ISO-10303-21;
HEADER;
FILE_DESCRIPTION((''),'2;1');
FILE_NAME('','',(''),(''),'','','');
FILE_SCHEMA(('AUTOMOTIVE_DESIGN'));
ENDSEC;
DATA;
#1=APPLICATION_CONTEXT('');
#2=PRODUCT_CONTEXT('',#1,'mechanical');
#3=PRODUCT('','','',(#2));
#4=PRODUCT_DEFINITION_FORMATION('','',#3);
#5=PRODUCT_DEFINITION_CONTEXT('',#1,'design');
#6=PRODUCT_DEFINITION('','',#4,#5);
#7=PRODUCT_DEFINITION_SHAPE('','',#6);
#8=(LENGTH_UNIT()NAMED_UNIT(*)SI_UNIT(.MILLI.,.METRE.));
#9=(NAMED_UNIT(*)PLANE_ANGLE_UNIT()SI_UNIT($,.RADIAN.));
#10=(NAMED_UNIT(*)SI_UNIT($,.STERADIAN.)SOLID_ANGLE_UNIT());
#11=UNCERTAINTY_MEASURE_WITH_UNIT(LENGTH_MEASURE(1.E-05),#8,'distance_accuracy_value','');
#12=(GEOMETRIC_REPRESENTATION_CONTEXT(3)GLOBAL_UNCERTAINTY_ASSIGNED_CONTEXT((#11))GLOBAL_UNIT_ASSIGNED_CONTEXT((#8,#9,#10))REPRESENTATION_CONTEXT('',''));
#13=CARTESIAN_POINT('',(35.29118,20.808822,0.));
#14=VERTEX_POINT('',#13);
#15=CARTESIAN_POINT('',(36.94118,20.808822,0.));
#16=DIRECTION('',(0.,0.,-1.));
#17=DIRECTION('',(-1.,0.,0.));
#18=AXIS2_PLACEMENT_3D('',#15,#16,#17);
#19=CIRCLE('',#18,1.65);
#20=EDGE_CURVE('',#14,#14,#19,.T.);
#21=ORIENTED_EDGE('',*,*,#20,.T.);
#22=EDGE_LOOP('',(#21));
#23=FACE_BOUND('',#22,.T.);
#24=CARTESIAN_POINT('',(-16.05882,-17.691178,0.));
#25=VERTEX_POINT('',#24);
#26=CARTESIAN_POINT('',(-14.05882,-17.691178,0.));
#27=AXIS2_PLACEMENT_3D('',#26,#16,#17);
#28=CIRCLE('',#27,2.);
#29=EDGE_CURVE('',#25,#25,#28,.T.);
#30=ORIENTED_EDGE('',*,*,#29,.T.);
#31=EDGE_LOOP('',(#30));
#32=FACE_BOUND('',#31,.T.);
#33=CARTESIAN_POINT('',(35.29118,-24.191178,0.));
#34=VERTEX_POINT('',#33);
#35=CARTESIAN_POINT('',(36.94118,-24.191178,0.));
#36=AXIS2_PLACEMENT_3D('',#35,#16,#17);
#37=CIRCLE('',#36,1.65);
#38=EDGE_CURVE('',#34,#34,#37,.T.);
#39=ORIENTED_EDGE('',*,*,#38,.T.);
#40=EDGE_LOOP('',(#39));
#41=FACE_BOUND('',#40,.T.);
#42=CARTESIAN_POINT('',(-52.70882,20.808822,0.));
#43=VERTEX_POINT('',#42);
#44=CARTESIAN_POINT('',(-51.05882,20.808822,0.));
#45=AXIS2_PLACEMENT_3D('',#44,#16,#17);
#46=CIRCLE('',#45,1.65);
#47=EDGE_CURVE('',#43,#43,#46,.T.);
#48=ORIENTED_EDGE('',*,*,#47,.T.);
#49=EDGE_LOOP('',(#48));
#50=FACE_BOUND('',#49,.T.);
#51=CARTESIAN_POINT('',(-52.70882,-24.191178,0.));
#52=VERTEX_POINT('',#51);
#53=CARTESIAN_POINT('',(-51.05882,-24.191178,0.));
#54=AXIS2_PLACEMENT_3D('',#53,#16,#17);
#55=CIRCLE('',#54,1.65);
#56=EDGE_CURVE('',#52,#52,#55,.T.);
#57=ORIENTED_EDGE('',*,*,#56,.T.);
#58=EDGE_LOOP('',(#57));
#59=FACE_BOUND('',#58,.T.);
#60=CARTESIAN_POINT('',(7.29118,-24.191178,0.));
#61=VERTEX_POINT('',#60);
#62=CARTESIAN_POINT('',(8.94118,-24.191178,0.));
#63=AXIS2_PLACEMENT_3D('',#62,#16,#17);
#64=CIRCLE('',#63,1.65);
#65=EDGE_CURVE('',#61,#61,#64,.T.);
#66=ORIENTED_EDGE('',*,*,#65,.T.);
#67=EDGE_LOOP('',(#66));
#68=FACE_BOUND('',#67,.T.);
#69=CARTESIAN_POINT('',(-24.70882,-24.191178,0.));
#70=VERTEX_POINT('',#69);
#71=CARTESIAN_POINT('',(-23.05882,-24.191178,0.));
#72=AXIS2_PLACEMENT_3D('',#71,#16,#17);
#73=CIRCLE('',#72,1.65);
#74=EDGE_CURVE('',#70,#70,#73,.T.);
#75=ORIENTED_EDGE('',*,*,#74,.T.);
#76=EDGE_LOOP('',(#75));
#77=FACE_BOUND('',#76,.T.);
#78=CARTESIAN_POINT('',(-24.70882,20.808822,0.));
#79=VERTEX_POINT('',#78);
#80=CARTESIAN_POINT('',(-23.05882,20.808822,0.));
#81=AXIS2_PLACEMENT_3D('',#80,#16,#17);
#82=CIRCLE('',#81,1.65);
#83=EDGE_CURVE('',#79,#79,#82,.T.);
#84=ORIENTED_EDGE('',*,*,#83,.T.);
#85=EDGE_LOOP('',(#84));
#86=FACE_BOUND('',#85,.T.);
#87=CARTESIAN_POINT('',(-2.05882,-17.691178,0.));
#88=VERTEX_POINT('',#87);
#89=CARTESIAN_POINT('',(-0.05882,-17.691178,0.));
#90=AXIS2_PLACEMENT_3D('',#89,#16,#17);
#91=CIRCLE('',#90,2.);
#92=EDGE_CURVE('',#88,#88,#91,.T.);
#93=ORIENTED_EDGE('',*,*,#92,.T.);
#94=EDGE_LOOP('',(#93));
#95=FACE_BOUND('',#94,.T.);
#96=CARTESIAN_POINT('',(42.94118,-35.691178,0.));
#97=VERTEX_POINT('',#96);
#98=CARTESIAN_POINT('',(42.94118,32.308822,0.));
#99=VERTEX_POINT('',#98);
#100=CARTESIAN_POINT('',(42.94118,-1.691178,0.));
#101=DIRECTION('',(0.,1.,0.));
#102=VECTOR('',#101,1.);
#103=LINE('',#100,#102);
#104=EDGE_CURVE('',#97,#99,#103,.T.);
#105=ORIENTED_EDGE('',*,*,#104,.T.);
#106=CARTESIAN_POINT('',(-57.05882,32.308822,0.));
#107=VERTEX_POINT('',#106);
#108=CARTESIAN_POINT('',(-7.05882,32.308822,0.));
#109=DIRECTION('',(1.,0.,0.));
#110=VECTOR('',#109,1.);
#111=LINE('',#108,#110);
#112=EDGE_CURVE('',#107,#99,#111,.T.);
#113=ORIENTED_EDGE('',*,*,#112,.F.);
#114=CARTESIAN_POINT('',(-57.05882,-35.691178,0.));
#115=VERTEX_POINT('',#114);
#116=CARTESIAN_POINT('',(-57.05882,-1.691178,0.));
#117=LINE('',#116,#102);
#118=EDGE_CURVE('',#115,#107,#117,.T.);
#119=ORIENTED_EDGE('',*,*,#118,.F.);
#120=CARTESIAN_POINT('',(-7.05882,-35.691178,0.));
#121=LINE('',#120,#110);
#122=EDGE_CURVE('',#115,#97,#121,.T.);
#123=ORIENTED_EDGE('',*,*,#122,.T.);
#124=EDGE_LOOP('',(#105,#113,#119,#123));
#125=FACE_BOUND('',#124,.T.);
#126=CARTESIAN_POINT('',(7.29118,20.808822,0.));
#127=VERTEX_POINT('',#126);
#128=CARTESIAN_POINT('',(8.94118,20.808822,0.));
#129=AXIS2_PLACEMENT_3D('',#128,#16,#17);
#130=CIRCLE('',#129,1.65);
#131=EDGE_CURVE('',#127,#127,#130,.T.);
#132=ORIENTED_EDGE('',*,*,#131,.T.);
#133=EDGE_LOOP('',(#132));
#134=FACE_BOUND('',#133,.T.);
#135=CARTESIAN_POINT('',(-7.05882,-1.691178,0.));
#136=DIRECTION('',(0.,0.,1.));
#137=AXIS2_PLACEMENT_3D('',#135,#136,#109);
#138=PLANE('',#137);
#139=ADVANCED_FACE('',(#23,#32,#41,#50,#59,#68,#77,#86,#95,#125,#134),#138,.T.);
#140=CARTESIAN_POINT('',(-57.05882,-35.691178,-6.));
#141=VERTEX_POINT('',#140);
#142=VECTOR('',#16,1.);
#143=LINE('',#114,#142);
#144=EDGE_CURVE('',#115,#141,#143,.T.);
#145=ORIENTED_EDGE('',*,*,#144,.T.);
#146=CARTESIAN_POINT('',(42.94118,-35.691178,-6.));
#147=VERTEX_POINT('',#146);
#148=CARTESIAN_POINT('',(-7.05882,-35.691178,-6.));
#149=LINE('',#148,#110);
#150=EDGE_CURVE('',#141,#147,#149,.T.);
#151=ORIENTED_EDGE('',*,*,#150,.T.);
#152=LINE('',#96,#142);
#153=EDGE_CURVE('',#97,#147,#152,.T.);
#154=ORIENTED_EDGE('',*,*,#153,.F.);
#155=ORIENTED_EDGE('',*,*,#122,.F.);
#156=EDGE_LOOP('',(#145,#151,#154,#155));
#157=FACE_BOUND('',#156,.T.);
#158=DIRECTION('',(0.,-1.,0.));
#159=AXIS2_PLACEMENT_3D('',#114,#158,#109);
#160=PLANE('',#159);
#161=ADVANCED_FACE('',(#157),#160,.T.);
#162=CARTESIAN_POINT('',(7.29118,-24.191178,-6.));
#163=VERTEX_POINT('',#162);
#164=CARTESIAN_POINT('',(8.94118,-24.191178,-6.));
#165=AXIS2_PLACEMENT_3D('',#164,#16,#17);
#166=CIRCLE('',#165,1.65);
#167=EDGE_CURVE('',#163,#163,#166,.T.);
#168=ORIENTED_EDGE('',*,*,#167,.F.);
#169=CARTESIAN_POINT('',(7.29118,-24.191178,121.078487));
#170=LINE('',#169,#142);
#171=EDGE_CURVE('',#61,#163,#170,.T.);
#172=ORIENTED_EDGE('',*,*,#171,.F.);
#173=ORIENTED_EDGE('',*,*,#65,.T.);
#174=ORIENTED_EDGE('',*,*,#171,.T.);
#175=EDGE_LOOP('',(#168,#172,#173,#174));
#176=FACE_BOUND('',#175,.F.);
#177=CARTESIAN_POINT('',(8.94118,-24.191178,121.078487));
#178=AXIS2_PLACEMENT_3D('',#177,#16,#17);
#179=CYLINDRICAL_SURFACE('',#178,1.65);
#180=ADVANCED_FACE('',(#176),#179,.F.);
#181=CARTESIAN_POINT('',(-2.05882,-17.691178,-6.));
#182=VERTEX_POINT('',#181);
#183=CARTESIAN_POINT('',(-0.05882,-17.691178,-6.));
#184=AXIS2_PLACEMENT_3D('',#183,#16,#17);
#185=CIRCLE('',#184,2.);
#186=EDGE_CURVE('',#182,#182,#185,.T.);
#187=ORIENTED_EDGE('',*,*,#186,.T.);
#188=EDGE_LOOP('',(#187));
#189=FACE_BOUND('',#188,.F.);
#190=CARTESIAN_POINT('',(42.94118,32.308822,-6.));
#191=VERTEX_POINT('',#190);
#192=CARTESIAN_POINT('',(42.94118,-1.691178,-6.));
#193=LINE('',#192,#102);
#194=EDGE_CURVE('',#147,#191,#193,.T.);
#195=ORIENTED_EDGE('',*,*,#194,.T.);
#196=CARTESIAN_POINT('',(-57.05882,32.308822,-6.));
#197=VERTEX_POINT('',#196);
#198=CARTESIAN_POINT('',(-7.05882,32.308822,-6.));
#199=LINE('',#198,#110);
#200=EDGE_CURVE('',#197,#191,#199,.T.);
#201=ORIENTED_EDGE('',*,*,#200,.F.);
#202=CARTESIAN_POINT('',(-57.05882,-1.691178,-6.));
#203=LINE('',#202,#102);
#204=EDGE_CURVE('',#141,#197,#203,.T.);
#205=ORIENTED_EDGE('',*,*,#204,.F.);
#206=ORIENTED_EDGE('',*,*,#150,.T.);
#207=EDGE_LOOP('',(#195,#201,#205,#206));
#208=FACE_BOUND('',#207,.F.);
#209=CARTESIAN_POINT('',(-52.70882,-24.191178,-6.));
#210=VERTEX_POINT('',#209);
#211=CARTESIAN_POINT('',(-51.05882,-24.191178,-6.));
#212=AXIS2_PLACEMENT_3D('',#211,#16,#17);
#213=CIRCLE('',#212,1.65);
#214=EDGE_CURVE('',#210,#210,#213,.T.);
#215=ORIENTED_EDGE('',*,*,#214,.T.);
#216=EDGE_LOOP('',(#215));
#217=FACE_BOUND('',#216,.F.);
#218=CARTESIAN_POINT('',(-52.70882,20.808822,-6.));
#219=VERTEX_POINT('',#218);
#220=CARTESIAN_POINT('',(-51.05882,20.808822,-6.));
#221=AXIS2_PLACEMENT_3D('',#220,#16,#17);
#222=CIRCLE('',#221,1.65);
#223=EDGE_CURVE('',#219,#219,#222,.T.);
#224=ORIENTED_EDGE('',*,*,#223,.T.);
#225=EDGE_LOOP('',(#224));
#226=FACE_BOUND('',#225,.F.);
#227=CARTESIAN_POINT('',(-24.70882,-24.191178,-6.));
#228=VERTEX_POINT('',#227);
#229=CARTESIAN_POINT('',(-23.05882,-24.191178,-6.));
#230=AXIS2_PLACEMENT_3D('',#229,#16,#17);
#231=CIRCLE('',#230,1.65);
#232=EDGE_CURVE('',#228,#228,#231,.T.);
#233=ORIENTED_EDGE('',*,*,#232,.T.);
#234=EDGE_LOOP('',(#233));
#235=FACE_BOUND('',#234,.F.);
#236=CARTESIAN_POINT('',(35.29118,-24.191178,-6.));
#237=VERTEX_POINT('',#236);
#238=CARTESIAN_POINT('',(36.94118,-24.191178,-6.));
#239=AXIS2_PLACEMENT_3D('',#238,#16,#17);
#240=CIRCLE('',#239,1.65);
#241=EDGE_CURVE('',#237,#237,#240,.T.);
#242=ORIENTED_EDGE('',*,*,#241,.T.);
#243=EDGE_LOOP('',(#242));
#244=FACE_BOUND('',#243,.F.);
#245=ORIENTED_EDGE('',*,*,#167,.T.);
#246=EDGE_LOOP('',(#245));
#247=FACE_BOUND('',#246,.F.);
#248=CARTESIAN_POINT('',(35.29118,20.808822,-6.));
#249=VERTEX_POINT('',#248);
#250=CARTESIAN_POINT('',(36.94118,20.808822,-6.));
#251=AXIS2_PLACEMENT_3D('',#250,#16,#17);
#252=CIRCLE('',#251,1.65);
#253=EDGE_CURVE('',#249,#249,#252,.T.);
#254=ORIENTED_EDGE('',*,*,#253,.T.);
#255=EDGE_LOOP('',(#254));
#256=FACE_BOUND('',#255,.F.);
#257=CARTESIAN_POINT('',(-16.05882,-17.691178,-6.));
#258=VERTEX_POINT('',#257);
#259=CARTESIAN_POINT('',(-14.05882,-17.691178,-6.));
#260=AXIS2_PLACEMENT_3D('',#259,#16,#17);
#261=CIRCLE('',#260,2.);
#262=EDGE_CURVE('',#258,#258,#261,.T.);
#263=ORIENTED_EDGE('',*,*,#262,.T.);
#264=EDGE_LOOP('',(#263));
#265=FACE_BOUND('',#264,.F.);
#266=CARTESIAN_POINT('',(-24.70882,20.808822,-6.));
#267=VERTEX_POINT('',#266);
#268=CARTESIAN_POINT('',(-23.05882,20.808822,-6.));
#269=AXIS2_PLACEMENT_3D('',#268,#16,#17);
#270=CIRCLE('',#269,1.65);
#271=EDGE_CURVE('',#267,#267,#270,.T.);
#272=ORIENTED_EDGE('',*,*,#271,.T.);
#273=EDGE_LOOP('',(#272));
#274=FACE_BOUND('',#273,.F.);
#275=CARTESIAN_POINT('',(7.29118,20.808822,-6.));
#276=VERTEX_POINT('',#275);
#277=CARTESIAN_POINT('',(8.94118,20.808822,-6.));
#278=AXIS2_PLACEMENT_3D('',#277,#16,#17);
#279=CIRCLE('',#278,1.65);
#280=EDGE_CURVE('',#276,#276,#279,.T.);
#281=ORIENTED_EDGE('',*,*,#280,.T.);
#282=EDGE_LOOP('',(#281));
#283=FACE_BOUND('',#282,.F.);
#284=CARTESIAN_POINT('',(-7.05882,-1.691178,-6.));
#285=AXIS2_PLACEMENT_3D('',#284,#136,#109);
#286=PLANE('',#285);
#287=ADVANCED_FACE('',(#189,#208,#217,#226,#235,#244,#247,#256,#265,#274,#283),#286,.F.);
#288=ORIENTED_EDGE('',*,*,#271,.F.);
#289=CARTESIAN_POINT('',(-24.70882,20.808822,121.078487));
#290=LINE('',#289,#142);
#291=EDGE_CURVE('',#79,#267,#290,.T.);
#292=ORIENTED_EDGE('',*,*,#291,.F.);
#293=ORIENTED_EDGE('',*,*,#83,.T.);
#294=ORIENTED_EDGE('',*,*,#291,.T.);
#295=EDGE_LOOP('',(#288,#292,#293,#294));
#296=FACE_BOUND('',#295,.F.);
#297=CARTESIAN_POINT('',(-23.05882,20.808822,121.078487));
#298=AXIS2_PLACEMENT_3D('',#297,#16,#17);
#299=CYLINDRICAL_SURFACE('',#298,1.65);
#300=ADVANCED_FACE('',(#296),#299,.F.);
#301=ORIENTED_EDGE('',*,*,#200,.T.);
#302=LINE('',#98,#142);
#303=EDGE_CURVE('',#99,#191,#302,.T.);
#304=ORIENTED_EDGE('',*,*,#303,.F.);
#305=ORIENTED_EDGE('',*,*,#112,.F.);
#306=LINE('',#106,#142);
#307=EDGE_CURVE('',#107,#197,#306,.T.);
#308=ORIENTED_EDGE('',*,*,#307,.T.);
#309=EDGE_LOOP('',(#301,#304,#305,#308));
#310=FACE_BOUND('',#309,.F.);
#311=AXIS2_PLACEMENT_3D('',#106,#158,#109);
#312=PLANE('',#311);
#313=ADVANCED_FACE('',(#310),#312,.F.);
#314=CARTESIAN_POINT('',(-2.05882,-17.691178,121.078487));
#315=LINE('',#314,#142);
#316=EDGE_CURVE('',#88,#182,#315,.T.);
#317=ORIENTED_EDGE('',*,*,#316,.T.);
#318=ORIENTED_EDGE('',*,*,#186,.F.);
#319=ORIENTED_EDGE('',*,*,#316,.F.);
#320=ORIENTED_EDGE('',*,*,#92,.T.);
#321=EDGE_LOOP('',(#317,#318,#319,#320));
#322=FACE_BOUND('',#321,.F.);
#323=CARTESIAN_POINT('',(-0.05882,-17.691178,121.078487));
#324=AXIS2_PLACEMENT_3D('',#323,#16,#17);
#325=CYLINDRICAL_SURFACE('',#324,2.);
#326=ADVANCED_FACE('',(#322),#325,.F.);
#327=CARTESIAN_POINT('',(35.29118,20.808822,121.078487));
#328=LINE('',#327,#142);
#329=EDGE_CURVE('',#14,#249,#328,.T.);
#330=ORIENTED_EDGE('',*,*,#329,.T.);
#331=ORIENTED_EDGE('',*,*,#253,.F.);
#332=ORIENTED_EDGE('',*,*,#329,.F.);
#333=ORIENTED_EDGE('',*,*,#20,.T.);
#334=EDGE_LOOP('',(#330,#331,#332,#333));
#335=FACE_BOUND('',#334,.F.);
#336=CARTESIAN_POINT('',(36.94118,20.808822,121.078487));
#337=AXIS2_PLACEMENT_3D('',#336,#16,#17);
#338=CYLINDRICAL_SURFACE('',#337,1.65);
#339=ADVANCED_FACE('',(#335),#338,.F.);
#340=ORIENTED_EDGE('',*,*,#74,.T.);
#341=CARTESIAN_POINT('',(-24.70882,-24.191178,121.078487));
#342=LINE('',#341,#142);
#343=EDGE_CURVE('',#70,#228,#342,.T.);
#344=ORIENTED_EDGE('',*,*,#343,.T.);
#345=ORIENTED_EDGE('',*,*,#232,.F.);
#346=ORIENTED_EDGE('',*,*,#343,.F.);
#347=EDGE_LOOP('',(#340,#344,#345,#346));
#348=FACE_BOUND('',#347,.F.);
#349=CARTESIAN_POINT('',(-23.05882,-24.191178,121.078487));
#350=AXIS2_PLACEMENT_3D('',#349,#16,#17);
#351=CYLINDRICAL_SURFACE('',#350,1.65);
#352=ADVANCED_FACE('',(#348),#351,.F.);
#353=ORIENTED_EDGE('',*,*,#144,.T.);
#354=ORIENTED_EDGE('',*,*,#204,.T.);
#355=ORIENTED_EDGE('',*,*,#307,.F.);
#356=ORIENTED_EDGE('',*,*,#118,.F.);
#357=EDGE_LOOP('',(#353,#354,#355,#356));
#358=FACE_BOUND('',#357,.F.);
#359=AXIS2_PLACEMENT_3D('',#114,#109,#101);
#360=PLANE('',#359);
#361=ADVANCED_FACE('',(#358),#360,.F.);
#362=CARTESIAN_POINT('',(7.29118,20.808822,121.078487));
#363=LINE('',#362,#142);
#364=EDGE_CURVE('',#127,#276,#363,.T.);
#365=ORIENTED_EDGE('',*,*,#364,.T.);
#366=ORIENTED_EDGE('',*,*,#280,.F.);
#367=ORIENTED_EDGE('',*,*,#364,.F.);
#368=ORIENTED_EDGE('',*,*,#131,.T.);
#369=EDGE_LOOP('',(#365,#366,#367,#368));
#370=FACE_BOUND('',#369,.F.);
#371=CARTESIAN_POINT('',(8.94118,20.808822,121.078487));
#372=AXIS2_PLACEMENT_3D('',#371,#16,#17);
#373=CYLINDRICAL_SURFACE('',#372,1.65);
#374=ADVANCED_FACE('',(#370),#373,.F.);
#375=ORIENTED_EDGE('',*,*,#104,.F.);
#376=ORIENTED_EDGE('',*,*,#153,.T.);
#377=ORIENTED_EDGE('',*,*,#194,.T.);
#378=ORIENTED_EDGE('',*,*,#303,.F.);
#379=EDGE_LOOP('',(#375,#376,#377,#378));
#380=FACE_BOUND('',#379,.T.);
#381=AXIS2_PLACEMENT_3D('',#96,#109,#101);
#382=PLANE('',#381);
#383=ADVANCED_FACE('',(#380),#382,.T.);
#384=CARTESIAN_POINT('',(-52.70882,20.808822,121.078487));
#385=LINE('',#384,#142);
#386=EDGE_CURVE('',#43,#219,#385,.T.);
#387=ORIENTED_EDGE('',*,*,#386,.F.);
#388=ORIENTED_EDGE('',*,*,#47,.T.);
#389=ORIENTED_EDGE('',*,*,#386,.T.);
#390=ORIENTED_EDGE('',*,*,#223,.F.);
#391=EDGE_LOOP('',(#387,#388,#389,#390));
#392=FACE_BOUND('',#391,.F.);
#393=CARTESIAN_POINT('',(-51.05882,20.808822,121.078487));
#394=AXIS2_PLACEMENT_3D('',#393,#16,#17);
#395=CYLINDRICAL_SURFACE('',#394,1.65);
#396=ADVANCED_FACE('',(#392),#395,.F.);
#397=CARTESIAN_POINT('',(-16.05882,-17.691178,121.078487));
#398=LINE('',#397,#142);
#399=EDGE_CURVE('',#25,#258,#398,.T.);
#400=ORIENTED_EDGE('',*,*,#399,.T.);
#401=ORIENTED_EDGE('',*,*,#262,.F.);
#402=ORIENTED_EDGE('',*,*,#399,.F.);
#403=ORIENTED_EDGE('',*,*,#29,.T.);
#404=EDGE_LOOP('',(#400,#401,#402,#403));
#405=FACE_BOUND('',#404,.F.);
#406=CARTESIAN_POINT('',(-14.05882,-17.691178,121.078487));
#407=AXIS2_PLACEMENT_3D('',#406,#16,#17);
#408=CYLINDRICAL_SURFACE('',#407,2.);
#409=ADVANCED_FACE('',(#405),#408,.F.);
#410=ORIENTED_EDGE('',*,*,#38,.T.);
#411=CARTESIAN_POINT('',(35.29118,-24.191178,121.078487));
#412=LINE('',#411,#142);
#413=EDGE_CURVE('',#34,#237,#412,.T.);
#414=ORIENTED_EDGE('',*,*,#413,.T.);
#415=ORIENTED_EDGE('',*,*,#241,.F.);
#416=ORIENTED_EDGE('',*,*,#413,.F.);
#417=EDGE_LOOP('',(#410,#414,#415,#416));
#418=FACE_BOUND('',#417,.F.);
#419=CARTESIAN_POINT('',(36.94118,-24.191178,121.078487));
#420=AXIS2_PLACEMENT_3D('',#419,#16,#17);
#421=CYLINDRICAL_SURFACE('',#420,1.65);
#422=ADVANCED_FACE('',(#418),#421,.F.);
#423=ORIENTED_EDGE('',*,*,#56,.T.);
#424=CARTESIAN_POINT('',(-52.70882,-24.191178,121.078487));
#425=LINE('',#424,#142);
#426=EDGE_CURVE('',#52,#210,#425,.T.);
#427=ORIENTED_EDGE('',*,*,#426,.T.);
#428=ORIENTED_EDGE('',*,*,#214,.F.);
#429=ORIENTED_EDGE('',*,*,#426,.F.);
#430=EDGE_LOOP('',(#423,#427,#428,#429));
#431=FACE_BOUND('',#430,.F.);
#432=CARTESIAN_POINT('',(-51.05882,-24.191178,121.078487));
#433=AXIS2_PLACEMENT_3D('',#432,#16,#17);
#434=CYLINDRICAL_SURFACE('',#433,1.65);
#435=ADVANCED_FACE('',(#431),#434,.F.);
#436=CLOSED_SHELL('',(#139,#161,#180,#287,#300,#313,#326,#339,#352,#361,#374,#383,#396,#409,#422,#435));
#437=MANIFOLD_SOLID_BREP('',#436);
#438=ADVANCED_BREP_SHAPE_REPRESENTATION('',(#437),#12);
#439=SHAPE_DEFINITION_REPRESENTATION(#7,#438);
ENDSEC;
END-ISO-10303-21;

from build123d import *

# Parameters (mm, degrees)
F0_W     = 100
F0_H     = 68
F1_DEPTH = 6
F2_D     = 3.3
F3_D     = 4


with BuildPart() as f1:
    # F0 (on Top) → F1 (new body)
    with BuildSketch(Plane.XY):
        with Locations((-7.0588196459, -1.6911783814)):
            Rectangle(F0_W, F0_H)
    extrude(amount=-F1_DEPTH)

    # F2 (through all)
    with Locations(Plane.XY):
        with Locations((-51.0588196459, 20.8088216186), (-23.0588196459, 20.8088216186), (-51.0588196459, -24.1911783814), (-23.0588196459, -24.1911783814), (8.9411803541, 20.8088216186), (36.9411803541, 20.8088216186), (8.9411803541, -24.1911783814), (36.9411803541, -24.1911783814)):
            Hole(F2_D / 2)

    # F3 (through all)
    with Locations(Plane.XY):
        with Locations((-14.0588196459, -17.6911783814), (-0.0588196459, -17.6911783814)):
            Hole(F3_D / 2)


solid = f1.part
